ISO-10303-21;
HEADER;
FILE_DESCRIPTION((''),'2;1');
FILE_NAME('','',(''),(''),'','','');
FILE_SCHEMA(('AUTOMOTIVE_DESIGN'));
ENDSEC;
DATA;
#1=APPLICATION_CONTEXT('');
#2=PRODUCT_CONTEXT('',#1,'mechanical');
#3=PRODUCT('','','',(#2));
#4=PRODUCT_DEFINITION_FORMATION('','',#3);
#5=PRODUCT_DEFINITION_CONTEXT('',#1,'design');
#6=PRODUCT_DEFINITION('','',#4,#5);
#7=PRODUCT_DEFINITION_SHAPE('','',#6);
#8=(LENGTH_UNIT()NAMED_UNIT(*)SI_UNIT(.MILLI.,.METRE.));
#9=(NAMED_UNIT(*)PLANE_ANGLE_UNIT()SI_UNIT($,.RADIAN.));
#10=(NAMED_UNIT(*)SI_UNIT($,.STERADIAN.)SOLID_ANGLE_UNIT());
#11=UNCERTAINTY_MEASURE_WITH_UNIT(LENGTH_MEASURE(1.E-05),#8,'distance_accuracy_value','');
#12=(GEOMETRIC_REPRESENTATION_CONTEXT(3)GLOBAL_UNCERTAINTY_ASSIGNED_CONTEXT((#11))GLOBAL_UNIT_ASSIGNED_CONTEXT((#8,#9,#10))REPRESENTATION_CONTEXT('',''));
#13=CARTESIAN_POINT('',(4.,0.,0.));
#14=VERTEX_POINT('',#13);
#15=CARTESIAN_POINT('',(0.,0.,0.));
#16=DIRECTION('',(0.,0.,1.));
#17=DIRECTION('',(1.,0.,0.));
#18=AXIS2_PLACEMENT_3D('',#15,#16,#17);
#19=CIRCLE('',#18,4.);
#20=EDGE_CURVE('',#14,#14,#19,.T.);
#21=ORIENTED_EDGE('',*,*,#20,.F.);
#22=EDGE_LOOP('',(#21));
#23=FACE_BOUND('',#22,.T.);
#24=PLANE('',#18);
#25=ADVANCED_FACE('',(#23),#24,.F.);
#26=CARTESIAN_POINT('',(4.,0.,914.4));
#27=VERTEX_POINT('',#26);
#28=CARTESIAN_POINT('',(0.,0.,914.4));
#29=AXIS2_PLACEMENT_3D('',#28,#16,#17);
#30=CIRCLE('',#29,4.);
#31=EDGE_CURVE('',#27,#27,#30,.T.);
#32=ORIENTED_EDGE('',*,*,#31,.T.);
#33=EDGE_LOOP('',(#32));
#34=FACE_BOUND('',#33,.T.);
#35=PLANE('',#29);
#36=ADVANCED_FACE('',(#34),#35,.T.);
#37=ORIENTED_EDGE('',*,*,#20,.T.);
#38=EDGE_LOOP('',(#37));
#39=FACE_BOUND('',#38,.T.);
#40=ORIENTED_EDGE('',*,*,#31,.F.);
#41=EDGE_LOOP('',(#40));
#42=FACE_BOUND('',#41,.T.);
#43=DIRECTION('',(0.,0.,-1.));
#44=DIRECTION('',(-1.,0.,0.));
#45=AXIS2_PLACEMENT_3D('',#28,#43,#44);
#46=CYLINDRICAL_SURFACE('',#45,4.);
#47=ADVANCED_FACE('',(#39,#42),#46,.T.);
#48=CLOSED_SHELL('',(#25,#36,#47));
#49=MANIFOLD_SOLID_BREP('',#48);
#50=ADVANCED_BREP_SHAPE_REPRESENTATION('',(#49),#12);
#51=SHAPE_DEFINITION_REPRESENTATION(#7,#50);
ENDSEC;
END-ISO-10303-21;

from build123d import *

# Parameters (mm, degrees)
SKETCH1_R           = 4
BOSS_EXTRUDE1_DEPTH = 914.4


with BuildPart() as part:
    # Sketch1 → Boss-Extrude1 (new body)
    with BuildSketch(Plane.XY):
        Circle(SKETCH1_R)
    extrude(amount=BOSS_EXTRUDE1_DEPTH)


solid = part.part
